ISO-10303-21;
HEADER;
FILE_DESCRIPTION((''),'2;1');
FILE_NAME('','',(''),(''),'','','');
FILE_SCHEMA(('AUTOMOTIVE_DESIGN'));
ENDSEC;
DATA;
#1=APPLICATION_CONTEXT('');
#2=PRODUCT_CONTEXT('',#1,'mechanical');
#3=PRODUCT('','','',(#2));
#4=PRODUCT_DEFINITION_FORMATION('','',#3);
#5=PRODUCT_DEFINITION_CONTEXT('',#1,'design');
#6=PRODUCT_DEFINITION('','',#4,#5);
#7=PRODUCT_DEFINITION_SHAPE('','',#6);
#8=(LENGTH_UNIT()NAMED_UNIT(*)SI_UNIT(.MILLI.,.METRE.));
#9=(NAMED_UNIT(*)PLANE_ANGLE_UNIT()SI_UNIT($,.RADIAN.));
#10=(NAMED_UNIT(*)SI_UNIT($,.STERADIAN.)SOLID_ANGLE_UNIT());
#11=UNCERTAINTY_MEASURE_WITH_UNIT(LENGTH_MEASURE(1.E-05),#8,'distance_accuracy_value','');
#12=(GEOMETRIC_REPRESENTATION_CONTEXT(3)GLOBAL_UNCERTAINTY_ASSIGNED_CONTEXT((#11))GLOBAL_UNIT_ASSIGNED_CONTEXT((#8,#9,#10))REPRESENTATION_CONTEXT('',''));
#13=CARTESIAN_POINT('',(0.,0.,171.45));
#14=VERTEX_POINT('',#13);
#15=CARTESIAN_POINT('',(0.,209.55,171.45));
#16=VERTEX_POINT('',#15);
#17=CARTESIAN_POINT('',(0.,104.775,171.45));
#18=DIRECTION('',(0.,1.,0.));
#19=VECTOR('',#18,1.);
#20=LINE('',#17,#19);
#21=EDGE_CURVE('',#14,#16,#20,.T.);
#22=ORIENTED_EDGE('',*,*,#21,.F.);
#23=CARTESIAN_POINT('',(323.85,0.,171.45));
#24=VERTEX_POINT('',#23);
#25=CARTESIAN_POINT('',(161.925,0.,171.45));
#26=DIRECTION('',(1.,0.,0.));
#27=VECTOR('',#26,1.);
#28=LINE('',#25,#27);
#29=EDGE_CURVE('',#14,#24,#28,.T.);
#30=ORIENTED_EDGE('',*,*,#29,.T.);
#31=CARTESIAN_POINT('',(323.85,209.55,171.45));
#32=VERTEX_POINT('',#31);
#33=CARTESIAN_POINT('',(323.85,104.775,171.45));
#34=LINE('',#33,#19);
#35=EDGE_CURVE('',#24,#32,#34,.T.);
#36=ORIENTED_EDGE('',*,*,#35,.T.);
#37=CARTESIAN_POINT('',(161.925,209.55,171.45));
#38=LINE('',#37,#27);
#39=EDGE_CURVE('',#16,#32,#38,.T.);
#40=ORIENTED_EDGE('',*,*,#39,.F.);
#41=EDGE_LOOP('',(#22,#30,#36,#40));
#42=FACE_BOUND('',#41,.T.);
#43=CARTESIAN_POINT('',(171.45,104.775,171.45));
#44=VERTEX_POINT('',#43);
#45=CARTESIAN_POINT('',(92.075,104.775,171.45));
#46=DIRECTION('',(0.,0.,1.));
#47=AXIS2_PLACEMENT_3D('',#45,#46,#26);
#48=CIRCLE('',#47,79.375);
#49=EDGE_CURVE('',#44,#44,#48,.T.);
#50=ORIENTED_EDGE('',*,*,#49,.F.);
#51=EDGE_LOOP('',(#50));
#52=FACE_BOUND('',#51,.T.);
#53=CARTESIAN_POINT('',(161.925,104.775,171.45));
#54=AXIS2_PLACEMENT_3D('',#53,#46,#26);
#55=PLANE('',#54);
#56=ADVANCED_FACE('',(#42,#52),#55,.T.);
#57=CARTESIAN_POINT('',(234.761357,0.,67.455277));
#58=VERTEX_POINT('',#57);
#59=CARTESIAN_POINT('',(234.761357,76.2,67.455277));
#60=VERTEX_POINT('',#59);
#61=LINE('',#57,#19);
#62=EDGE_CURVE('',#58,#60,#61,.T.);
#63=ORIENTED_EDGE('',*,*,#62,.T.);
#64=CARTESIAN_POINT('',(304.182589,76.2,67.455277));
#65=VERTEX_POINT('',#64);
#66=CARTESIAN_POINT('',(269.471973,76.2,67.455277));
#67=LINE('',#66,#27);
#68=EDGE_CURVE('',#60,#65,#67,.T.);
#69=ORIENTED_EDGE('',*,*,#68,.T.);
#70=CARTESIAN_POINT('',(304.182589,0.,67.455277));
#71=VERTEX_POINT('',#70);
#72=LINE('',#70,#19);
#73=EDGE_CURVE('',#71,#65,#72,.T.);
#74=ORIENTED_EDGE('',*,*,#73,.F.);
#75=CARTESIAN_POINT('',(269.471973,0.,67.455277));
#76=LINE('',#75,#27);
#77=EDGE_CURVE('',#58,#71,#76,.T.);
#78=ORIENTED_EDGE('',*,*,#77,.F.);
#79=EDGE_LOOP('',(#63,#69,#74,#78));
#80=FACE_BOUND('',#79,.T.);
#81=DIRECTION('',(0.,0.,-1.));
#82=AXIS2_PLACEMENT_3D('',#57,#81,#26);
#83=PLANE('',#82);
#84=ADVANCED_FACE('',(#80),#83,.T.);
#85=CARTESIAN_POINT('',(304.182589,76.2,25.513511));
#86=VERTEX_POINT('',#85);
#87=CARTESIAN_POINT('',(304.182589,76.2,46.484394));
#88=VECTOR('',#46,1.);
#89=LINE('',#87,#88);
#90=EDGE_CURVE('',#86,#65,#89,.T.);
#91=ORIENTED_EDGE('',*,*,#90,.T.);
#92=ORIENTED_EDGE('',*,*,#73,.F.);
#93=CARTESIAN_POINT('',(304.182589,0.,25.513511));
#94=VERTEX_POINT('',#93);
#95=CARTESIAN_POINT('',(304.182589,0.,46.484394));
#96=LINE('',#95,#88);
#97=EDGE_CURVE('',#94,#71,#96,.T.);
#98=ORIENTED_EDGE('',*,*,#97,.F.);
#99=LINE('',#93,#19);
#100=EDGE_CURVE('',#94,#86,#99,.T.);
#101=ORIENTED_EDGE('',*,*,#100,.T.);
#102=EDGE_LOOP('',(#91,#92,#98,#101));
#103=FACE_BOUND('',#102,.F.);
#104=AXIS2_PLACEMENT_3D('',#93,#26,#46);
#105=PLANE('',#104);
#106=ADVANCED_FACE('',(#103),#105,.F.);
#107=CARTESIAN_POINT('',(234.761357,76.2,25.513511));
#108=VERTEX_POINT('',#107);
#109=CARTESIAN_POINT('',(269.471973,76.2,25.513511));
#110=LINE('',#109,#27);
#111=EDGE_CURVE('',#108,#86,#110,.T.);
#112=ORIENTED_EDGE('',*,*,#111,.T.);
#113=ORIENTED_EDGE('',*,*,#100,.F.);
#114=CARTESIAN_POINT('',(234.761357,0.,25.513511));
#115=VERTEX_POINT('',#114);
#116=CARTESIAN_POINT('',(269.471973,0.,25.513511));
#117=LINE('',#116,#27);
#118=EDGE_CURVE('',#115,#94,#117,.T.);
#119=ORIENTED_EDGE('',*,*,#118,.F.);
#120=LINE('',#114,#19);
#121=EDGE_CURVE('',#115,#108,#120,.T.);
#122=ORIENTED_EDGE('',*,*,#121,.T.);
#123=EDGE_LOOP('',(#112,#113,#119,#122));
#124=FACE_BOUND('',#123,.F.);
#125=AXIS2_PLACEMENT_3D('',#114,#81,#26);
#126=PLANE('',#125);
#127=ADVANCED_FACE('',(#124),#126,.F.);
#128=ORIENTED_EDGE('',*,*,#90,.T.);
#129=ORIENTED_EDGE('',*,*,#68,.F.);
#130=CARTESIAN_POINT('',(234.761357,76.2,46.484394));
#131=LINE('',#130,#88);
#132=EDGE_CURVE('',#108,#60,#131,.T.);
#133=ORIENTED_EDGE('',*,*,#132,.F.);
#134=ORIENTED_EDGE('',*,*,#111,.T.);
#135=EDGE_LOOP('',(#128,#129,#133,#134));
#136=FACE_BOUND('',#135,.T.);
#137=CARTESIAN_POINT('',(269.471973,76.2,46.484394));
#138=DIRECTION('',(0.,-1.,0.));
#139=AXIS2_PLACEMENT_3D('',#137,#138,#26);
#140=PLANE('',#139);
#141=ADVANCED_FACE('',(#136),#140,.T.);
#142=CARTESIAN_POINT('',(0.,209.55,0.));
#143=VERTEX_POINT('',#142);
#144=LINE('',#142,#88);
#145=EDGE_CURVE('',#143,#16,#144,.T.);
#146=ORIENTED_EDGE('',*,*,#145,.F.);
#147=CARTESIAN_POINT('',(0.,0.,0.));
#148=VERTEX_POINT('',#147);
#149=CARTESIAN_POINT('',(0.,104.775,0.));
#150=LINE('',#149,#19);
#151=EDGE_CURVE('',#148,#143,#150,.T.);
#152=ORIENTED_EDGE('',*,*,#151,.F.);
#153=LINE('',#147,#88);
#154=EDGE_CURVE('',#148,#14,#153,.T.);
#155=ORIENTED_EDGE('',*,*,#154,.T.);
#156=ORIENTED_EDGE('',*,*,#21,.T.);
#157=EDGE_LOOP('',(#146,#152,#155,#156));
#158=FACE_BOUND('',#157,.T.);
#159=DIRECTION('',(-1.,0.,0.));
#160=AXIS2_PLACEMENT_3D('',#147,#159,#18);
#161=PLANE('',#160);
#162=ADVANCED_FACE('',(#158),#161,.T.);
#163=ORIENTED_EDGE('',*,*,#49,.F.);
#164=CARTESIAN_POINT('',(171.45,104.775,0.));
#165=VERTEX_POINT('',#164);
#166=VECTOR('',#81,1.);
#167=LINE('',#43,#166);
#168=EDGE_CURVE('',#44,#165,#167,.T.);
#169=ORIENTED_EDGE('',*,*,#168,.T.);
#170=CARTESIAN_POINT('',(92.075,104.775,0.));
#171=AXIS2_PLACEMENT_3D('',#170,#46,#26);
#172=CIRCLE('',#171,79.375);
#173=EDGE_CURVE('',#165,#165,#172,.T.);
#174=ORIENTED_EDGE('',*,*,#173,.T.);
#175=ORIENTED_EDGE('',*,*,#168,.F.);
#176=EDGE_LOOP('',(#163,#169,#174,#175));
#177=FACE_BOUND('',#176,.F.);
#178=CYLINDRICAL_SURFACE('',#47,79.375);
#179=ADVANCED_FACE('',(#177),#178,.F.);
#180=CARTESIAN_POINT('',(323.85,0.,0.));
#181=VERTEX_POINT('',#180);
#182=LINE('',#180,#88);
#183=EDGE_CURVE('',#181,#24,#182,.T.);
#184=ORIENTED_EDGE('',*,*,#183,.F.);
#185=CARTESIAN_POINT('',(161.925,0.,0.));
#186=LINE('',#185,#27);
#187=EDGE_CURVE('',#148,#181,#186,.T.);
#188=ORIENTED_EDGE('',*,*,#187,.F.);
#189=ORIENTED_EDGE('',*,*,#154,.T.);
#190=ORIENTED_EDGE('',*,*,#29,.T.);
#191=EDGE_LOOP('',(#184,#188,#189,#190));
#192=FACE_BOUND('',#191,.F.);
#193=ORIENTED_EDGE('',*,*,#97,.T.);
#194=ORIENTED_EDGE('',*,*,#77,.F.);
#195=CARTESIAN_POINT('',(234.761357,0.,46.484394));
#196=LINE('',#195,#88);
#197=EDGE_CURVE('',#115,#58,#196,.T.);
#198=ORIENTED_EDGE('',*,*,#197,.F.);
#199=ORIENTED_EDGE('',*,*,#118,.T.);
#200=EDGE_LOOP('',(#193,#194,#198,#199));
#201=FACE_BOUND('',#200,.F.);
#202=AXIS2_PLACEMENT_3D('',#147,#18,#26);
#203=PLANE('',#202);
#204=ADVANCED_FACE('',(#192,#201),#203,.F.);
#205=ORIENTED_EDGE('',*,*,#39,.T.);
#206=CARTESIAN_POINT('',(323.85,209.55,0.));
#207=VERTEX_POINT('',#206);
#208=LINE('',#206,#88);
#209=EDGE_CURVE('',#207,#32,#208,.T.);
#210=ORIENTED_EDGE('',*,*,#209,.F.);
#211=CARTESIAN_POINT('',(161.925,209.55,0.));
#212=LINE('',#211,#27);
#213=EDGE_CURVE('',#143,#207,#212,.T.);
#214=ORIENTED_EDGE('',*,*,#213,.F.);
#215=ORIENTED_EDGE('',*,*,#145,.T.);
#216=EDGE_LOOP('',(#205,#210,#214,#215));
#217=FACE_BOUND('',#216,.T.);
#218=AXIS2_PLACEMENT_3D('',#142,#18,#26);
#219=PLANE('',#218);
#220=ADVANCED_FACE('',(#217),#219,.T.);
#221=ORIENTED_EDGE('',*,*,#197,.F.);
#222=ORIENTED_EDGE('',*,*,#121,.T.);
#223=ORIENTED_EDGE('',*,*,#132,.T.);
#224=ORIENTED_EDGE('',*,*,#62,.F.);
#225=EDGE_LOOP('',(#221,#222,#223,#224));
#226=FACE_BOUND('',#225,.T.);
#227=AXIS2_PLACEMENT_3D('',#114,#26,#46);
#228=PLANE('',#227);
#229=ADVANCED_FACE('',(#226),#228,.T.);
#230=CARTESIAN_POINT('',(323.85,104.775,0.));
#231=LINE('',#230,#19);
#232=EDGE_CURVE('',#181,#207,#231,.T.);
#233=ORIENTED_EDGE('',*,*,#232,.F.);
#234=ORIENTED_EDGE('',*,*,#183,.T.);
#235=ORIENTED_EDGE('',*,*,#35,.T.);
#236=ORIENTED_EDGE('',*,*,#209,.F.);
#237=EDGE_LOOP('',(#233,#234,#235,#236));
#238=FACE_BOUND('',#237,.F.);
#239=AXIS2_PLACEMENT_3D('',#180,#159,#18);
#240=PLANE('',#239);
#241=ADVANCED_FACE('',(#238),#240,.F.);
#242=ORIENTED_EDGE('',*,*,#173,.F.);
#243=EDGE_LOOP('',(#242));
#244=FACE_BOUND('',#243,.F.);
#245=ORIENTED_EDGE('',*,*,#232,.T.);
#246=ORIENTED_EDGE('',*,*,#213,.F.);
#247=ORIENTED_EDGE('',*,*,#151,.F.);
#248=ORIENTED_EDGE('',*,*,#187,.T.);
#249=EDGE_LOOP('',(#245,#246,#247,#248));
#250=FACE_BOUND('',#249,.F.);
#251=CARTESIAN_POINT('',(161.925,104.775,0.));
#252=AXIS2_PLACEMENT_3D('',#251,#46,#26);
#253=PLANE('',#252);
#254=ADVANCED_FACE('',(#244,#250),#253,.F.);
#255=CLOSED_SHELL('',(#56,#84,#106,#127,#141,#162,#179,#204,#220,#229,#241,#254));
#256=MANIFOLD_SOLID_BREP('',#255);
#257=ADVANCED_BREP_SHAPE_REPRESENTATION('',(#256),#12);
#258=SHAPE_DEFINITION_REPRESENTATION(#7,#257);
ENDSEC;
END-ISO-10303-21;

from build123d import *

# Parameters (mm, degrees)
F0_W     = 323.85
F0_H     = 209.55
F1_DEPTH = 171.45
F2_R     = 79.375
F3_DEPTH = 171.451
F4_W     = 69.421232
F4_H     = 41.941766
F5_DEPTH = 76.2


with BuildPart() as f1:
    # F0 (on Top) → F1 (new body)
    with BuildSketch(Plane.XY):
        with Locations((161.925, 104.775)):
            Rectangle(F0_W, F0_H)
    extrude(amount=F1_DEPTH)

    # F2 (on face) → F3 (cut, through all)
    with BuildSketch(Plane.XY.offset(171.45)):
        with Locations((92.075, 104.775)):
            Circle(F2_R)
    extrude(amount=-F3_DEPTH, mode=Mode.SUBTRACT)

    # F4 (on face) → F5 (cut)
    with BuildSketch(Plane.XZ):
        with Locations((269.471973, 46.484394)):
            Rectangle(F4_W, F4_H)
    extrude(amount=-F5_DEPTH, mode=Mode.SUBTRACT)


solid = f1.part
